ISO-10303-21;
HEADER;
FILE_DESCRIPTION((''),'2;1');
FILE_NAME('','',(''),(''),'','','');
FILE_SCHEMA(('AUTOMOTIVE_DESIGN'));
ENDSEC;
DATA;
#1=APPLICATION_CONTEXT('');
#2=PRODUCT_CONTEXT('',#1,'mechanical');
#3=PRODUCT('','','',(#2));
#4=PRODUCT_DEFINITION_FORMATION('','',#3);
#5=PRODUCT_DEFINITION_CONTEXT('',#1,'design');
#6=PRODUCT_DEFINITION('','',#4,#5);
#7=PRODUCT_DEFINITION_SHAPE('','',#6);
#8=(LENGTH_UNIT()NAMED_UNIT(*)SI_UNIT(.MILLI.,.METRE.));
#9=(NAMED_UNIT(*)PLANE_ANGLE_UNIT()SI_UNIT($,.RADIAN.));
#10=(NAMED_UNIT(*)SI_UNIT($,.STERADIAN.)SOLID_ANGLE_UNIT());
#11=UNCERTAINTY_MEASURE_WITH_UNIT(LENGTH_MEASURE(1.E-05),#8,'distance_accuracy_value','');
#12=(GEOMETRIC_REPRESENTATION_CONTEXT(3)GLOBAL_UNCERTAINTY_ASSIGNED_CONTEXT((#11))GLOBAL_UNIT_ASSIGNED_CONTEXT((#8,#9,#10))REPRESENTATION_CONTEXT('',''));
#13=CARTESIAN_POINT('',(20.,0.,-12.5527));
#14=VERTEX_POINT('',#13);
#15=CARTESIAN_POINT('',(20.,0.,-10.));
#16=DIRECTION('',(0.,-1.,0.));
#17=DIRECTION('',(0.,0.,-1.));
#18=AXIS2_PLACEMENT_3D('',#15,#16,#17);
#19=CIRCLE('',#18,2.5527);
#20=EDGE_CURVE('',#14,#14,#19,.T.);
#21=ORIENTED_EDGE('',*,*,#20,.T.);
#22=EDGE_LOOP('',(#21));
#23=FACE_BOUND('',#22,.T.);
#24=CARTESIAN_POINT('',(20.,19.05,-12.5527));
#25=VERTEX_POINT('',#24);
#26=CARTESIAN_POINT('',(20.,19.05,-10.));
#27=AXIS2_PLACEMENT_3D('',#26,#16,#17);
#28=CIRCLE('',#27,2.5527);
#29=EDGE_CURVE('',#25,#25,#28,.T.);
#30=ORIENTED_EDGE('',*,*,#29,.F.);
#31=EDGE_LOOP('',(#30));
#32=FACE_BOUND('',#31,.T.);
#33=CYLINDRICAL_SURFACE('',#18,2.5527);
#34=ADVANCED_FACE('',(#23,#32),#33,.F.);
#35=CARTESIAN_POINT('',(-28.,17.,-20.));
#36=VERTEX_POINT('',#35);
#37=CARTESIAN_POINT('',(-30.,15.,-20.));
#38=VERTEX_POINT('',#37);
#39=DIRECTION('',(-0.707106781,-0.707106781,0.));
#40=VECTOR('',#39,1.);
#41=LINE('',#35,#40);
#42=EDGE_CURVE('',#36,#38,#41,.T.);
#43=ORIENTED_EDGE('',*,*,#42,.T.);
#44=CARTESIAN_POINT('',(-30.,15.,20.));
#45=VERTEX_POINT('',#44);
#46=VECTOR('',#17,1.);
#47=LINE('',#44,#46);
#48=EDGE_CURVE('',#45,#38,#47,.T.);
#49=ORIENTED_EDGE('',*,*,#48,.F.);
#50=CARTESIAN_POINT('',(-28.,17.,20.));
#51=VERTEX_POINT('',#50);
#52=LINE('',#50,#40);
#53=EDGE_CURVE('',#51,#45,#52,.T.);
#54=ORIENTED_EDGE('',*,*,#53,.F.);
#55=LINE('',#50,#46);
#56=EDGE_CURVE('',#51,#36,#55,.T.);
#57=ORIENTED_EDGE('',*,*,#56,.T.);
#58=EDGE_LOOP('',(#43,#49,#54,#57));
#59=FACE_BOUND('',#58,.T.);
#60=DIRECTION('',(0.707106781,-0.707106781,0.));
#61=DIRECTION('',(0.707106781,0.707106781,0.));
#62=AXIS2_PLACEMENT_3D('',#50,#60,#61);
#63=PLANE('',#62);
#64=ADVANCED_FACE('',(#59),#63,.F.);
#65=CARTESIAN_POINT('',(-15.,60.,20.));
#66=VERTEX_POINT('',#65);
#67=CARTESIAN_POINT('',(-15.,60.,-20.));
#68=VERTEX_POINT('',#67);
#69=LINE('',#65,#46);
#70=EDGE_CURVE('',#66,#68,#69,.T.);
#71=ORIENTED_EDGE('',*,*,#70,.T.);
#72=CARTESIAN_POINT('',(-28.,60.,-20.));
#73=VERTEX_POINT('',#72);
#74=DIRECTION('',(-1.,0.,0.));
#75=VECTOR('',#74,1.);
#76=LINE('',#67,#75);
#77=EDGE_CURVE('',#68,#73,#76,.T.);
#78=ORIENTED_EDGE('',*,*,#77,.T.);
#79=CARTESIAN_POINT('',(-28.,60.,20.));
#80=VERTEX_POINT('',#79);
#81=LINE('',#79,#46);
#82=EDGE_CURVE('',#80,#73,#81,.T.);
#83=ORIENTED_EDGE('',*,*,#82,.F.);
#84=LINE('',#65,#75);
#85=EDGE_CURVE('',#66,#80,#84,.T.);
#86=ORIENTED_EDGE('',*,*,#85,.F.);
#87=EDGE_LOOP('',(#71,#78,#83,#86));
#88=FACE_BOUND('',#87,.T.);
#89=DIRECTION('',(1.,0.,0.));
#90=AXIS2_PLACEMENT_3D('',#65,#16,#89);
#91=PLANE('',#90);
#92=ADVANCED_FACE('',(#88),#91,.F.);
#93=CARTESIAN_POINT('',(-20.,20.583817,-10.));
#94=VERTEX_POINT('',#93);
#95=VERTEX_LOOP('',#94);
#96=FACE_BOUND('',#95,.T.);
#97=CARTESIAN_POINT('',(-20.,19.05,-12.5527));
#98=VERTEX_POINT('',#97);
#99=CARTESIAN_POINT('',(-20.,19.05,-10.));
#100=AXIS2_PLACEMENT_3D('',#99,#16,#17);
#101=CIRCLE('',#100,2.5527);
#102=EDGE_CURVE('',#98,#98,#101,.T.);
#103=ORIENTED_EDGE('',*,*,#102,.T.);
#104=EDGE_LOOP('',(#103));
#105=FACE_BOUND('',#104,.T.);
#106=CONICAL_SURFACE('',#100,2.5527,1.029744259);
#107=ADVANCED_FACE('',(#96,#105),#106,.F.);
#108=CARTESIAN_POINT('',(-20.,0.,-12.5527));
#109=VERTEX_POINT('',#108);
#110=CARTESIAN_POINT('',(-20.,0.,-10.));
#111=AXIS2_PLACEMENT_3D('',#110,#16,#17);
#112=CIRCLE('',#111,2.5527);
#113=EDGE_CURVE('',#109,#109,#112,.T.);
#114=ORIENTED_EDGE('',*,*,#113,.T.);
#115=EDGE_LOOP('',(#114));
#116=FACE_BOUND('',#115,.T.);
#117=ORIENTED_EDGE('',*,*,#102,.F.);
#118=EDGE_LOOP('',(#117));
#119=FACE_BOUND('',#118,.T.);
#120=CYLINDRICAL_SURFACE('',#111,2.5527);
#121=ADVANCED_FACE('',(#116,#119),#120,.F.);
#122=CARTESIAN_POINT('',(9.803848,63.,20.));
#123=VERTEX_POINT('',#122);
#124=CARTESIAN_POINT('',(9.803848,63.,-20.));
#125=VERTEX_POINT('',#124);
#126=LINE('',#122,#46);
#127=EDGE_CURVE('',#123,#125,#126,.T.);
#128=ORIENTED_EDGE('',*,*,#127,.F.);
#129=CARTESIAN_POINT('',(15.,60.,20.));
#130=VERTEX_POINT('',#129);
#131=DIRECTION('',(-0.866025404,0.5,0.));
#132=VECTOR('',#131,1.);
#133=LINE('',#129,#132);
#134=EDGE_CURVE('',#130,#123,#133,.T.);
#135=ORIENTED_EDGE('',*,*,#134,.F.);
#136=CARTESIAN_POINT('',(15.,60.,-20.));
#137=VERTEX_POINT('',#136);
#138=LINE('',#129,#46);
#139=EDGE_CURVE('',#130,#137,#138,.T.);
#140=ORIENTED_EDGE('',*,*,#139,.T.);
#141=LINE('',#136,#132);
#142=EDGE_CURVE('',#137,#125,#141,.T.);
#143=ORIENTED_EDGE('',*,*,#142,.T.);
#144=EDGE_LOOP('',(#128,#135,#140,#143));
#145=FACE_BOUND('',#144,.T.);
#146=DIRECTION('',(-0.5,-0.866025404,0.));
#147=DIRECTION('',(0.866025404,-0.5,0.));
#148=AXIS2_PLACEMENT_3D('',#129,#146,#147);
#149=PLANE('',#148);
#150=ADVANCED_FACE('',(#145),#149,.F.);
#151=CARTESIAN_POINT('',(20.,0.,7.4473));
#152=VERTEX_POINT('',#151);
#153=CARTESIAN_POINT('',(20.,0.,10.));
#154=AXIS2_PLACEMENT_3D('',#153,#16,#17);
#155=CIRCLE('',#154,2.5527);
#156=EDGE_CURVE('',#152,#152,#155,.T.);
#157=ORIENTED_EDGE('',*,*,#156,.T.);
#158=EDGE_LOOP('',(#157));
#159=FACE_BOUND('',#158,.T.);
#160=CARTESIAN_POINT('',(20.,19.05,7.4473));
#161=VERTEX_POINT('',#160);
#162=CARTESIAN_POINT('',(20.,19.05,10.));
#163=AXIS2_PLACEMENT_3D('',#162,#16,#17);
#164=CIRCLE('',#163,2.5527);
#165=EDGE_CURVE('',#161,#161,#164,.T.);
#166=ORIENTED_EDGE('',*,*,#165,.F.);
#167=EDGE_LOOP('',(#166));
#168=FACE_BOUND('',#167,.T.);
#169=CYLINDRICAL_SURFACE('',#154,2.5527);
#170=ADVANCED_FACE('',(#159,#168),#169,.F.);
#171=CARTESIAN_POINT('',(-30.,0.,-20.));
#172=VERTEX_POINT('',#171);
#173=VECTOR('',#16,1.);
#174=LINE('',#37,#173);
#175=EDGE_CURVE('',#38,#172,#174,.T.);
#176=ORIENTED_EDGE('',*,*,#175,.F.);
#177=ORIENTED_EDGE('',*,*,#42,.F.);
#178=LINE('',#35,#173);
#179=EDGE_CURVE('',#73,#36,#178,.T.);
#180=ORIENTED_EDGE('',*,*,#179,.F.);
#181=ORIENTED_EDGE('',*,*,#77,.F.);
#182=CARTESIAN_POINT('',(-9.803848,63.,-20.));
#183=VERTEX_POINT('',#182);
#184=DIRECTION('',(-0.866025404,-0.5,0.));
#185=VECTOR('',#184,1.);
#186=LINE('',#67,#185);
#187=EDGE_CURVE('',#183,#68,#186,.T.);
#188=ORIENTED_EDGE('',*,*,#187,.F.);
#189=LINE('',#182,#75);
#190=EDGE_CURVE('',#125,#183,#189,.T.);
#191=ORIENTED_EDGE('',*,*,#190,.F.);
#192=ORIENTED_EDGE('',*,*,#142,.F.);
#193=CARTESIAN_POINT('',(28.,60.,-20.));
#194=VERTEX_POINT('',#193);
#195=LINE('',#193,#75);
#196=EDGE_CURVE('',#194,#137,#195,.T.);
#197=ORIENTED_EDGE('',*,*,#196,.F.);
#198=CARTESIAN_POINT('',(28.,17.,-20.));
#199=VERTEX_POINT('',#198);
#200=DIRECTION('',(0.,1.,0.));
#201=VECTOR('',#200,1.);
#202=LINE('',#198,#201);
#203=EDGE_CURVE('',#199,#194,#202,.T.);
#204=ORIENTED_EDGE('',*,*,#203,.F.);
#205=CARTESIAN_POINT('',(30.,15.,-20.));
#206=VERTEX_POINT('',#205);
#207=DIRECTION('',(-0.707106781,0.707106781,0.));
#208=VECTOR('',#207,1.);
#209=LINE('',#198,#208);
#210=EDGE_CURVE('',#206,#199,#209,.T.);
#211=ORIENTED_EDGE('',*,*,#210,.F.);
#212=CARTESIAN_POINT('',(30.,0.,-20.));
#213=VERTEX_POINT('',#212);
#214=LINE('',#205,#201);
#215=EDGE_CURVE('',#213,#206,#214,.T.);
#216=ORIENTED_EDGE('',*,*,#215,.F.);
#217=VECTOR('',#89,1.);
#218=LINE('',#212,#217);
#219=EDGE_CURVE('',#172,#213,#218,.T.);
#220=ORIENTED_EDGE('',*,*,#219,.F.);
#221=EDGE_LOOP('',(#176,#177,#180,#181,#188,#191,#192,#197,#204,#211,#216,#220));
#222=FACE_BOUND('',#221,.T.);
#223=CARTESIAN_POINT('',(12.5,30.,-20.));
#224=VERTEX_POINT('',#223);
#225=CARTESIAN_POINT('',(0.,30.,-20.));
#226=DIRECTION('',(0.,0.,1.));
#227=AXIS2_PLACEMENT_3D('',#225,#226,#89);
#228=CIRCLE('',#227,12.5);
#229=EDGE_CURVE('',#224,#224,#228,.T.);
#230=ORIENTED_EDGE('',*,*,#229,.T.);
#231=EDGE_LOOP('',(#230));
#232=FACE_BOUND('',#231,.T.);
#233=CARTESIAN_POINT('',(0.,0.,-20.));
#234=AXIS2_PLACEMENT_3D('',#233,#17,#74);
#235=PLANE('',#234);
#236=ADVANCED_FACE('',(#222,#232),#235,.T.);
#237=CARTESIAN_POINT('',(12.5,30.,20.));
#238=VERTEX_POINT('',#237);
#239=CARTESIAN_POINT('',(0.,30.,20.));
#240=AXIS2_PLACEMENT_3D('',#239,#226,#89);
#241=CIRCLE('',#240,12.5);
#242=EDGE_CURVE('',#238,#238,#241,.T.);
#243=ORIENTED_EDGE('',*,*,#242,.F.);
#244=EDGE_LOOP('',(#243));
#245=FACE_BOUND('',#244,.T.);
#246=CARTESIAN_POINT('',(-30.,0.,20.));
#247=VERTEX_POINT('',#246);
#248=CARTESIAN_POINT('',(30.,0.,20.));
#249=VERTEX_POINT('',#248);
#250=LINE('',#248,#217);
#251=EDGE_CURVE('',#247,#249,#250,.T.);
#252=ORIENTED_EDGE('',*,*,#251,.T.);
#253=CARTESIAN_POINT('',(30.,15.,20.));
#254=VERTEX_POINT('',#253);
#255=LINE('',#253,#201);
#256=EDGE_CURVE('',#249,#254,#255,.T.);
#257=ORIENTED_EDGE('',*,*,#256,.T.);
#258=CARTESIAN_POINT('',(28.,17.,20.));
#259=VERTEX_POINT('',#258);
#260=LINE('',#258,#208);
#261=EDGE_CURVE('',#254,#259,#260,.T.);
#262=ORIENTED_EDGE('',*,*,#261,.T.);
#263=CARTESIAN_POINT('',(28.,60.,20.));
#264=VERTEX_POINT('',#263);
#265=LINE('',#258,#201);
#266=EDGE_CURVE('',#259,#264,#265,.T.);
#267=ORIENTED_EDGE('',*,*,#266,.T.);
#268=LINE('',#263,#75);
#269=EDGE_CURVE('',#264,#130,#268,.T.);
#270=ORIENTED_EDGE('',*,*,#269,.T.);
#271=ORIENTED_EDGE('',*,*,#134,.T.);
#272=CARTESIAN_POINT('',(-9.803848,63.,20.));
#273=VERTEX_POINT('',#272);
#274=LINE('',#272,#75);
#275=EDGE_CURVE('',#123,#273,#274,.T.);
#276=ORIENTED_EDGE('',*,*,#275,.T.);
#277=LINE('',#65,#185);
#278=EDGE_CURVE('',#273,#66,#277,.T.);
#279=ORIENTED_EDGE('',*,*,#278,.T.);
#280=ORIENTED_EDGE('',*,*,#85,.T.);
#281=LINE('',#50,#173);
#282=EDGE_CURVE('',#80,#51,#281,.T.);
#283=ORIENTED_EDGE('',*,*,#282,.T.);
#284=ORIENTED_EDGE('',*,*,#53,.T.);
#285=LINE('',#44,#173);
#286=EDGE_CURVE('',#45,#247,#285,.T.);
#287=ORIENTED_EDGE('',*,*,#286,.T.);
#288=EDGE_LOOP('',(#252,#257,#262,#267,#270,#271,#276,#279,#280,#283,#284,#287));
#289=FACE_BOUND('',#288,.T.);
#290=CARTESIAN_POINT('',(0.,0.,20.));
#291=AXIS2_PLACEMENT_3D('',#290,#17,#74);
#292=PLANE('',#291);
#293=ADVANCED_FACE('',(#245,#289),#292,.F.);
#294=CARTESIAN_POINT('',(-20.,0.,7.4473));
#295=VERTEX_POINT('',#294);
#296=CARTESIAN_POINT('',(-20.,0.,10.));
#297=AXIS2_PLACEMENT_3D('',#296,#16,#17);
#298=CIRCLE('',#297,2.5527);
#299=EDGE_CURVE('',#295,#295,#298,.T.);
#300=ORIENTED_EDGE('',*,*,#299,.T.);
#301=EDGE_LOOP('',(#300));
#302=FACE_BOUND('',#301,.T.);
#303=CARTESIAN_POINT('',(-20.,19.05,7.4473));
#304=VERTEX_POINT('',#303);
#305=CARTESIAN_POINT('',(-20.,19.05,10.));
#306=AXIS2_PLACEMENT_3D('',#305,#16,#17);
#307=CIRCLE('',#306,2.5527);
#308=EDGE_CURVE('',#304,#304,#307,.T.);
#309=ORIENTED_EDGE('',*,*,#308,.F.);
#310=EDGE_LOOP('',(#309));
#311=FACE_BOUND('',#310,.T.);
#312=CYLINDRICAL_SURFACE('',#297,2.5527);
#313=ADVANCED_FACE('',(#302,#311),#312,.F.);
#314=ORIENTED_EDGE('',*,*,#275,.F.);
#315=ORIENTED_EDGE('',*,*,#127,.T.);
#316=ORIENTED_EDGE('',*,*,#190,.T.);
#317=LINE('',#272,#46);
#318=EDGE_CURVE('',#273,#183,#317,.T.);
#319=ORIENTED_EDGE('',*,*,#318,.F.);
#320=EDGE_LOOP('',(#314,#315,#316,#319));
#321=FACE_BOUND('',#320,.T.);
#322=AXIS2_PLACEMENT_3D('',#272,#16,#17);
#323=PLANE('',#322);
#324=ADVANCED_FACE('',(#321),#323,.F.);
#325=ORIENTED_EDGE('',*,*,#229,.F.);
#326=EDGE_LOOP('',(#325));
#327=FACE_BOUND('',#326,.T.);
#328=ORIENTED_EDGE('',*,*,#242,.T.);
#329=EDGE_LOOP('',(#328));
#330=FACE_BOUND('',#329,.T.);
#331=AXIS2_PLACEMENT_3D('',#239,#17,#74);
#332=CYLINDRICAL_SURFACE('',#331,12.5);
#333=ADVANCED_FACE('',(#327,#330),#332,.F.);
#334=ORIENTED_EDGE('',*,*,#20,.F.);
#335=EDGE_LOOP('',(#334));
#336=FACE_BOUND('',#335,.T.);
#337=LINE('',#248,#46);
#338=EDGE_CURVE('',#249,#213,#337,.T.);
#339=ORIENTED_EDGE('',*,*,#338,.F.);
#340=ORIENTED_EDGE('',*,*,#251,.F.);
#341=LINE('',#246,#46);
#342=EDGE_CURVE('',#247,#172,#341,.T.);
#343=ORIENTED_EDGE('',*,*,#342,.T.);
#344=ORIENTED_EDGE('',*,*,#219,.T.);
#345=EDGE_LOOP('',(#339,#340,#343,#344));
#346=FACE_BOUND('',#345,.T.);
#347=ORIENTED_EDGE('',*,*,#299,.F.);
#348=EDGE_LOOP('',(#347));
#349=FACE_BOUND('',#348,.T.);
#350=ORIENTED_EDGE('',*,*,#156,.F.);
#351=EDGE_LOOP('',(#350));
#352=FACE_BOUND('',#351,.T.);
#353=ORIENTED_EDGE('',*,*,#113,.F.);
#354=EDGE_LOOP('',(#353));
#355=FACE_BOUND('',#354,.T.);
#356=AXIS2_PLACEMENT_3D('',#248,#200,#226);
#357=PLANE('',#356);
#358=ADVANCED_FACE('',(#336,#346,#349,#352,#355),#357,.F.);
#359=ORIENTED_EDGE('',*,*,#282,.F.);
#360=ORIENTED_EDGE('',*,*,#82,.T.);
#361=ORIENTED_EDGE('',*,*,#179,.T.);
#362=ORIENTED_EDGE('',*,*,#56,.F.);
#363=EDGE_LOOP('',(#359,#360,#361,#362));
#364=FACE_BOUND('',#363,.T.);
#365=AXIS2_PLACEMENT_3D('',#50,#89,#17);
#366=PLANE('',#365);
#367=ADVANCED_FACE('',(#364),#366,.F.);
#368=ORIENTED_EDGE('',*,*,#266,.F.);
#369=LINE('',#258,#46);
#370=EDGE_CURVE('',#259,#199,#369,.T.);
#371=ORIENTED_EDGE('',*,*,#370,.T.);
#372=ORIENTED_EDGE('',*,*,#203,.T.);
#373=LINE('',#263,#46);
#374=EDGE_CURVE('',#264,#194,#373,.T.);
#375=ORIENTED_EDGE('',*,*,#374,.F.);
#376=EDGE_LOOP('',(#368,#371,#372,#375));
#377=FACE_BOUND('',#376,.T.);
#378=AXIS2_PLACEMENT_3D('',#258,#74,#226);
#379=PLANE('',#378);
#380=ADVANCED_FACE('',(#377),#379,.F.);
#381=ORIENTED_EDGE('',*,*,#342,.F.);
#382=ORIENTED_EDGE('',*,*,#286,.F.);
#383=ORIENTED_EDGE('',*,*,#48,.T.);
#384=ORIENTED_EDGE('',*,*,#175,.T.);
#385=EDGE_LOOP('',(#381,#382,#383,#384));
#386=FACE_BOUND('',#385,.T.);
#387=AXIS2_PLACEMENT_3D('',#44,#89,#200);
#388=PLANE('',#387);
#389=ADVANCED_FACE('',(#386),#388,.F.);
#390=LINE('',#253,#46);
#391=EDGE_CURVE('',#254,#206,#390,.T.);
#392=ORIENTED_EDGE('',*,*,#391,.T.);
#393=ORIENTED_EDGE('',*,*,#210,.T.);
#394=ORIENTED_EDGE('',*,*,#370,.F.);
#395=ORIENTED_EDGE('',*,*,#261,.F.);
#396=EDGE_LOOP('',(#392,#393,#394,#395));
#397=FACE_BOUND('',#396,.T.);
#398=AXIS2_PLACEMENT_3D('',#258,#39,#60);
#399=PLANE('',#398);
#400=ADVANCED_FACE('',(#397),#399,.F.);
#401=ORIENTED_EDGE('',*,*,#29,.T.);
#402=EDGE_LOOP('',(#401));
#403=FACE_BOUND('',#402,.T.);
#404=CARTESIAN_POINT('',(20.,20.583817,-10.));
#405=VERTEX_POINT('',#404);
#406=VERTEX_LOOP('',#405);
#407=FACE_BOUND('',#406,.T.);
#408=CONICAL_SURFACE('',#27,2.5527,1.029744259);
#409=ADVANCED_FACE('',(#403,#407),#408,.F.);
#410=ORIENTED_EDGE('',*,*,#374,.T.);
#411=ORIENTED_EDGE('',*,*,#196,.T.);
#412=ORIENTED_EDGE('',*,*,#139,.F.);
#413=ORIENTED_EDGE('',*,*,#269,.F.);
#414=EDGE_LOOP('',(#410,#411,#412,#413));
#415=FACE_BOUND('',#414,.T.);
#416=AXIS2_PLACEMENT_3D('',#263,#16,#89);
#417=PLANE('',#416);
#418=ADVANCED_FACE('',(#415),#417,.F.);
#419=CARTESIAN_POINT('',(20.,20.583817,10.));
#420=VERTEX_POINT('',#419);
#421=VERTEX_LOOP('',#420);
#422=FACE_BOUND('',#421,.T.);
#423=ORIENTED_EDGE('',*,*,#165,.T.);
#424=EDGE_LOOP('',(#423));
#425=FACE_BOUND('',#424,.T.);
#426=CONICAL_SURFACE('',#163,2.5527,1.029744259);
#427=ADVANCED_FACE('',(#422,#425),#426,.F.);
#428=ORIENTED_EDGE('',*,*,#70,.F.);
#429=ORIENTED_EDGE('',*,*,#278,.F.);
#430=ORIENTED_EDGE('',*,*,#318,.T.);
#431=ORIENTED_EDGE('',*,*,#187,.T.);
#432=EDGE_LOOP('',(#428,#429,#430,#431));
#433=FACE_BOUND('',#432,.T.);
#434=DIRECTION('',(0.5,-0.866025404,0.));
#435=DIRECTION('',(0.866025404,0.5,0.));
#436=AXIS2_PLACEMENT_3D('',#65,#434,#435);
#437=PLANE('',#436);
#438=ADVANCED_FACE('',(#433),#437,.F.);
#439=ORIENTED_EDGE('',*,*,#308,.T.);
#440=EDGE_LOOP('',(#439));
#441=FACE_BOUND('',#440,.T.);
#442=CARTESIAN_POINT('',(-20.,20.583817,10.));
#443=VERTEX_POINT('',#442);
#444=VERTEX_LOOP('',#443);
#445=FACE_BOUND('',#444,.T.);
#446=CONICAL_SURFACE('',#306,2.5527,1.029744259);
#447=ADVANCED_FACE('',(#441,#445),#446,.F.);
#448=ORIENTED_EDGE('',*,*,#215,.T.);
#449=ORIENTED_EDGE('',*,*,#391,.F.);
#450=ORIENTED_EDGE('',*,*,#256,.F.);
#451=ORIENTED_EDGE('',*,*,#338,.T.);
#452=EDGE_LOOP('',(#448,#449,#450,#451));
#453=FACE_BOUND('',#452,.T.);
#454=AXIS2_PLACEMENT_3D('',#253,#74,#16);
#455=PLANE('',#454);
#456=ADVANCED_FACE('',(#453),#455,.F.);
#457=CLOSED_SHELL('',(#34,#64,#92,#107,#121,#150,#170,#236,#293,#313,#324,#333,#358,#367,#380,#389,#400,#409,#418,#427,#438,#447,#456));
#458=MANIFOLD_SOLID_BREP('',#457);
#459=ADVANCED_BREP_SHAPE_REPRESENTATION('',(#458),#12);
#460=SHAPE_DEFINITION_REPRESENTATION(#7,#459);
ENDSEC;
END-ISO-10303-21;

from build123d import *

# Parameters (mm, degrees)
CROQUIS1_R                    = 12.5
SALIENTE_EXTRUIR1_DEPTH       = 20
TALADRO_ROSCADO_1_4_201_D     = 5.1054
TALADRO_ROSCADO_1_4_201_DEPTH = 19.05
TALADRO_ROSCADO_1_4_201_TIP   = 1.533816902


with BuildPart() as part:
    # Croquis1 → Saliente-Extruir1 (new, symmetric)
    with BuildSketch(Plane.XY):
        Polygon((28, 60), (15, 60), (9.803847577, 63), (-9.803847577, 63), (-15, 60), (-28, 60), (-28, 17), (-30, 15), (-30, 0), (30, 0), (30, 15), (28, 17), align=None)
        with Locations((0, 30)):
            Circle(CROQUIS1_R, mode=Mode.SUBTRACT)
    extrude(amount=SALIENTE_EXTRUIR1_DEPTH, both=True)

    # Taladro roscado 1/4-201
    with Locations(Plane(origin=(0, 0, 0), x_dir=(-1, 0, 0), z_dir=(0, -1, 0))):
        with Locations((20, 10), (20, -10), (-20, -10), (-20, 10)):
            Hole(TALADRO_ROSCADO_1_4_201_D / 2, depth=TALADRO_ROSCADO_1_4_201_DEPTH)
            with Locations((0, 0, -(TALADRO_ROSCADO_1_4_201_DEPTH + TALADRO_ROSCADO_1_4_201_TIP / 2))):  # 118° drill point
                Cone(0, TALADRO_ROSCADO_1_4_201_D / 2, TALADRO_ROSCADO_1_4_201_TIP, mode=Mode.SUBTRACT)


solid = part.part
